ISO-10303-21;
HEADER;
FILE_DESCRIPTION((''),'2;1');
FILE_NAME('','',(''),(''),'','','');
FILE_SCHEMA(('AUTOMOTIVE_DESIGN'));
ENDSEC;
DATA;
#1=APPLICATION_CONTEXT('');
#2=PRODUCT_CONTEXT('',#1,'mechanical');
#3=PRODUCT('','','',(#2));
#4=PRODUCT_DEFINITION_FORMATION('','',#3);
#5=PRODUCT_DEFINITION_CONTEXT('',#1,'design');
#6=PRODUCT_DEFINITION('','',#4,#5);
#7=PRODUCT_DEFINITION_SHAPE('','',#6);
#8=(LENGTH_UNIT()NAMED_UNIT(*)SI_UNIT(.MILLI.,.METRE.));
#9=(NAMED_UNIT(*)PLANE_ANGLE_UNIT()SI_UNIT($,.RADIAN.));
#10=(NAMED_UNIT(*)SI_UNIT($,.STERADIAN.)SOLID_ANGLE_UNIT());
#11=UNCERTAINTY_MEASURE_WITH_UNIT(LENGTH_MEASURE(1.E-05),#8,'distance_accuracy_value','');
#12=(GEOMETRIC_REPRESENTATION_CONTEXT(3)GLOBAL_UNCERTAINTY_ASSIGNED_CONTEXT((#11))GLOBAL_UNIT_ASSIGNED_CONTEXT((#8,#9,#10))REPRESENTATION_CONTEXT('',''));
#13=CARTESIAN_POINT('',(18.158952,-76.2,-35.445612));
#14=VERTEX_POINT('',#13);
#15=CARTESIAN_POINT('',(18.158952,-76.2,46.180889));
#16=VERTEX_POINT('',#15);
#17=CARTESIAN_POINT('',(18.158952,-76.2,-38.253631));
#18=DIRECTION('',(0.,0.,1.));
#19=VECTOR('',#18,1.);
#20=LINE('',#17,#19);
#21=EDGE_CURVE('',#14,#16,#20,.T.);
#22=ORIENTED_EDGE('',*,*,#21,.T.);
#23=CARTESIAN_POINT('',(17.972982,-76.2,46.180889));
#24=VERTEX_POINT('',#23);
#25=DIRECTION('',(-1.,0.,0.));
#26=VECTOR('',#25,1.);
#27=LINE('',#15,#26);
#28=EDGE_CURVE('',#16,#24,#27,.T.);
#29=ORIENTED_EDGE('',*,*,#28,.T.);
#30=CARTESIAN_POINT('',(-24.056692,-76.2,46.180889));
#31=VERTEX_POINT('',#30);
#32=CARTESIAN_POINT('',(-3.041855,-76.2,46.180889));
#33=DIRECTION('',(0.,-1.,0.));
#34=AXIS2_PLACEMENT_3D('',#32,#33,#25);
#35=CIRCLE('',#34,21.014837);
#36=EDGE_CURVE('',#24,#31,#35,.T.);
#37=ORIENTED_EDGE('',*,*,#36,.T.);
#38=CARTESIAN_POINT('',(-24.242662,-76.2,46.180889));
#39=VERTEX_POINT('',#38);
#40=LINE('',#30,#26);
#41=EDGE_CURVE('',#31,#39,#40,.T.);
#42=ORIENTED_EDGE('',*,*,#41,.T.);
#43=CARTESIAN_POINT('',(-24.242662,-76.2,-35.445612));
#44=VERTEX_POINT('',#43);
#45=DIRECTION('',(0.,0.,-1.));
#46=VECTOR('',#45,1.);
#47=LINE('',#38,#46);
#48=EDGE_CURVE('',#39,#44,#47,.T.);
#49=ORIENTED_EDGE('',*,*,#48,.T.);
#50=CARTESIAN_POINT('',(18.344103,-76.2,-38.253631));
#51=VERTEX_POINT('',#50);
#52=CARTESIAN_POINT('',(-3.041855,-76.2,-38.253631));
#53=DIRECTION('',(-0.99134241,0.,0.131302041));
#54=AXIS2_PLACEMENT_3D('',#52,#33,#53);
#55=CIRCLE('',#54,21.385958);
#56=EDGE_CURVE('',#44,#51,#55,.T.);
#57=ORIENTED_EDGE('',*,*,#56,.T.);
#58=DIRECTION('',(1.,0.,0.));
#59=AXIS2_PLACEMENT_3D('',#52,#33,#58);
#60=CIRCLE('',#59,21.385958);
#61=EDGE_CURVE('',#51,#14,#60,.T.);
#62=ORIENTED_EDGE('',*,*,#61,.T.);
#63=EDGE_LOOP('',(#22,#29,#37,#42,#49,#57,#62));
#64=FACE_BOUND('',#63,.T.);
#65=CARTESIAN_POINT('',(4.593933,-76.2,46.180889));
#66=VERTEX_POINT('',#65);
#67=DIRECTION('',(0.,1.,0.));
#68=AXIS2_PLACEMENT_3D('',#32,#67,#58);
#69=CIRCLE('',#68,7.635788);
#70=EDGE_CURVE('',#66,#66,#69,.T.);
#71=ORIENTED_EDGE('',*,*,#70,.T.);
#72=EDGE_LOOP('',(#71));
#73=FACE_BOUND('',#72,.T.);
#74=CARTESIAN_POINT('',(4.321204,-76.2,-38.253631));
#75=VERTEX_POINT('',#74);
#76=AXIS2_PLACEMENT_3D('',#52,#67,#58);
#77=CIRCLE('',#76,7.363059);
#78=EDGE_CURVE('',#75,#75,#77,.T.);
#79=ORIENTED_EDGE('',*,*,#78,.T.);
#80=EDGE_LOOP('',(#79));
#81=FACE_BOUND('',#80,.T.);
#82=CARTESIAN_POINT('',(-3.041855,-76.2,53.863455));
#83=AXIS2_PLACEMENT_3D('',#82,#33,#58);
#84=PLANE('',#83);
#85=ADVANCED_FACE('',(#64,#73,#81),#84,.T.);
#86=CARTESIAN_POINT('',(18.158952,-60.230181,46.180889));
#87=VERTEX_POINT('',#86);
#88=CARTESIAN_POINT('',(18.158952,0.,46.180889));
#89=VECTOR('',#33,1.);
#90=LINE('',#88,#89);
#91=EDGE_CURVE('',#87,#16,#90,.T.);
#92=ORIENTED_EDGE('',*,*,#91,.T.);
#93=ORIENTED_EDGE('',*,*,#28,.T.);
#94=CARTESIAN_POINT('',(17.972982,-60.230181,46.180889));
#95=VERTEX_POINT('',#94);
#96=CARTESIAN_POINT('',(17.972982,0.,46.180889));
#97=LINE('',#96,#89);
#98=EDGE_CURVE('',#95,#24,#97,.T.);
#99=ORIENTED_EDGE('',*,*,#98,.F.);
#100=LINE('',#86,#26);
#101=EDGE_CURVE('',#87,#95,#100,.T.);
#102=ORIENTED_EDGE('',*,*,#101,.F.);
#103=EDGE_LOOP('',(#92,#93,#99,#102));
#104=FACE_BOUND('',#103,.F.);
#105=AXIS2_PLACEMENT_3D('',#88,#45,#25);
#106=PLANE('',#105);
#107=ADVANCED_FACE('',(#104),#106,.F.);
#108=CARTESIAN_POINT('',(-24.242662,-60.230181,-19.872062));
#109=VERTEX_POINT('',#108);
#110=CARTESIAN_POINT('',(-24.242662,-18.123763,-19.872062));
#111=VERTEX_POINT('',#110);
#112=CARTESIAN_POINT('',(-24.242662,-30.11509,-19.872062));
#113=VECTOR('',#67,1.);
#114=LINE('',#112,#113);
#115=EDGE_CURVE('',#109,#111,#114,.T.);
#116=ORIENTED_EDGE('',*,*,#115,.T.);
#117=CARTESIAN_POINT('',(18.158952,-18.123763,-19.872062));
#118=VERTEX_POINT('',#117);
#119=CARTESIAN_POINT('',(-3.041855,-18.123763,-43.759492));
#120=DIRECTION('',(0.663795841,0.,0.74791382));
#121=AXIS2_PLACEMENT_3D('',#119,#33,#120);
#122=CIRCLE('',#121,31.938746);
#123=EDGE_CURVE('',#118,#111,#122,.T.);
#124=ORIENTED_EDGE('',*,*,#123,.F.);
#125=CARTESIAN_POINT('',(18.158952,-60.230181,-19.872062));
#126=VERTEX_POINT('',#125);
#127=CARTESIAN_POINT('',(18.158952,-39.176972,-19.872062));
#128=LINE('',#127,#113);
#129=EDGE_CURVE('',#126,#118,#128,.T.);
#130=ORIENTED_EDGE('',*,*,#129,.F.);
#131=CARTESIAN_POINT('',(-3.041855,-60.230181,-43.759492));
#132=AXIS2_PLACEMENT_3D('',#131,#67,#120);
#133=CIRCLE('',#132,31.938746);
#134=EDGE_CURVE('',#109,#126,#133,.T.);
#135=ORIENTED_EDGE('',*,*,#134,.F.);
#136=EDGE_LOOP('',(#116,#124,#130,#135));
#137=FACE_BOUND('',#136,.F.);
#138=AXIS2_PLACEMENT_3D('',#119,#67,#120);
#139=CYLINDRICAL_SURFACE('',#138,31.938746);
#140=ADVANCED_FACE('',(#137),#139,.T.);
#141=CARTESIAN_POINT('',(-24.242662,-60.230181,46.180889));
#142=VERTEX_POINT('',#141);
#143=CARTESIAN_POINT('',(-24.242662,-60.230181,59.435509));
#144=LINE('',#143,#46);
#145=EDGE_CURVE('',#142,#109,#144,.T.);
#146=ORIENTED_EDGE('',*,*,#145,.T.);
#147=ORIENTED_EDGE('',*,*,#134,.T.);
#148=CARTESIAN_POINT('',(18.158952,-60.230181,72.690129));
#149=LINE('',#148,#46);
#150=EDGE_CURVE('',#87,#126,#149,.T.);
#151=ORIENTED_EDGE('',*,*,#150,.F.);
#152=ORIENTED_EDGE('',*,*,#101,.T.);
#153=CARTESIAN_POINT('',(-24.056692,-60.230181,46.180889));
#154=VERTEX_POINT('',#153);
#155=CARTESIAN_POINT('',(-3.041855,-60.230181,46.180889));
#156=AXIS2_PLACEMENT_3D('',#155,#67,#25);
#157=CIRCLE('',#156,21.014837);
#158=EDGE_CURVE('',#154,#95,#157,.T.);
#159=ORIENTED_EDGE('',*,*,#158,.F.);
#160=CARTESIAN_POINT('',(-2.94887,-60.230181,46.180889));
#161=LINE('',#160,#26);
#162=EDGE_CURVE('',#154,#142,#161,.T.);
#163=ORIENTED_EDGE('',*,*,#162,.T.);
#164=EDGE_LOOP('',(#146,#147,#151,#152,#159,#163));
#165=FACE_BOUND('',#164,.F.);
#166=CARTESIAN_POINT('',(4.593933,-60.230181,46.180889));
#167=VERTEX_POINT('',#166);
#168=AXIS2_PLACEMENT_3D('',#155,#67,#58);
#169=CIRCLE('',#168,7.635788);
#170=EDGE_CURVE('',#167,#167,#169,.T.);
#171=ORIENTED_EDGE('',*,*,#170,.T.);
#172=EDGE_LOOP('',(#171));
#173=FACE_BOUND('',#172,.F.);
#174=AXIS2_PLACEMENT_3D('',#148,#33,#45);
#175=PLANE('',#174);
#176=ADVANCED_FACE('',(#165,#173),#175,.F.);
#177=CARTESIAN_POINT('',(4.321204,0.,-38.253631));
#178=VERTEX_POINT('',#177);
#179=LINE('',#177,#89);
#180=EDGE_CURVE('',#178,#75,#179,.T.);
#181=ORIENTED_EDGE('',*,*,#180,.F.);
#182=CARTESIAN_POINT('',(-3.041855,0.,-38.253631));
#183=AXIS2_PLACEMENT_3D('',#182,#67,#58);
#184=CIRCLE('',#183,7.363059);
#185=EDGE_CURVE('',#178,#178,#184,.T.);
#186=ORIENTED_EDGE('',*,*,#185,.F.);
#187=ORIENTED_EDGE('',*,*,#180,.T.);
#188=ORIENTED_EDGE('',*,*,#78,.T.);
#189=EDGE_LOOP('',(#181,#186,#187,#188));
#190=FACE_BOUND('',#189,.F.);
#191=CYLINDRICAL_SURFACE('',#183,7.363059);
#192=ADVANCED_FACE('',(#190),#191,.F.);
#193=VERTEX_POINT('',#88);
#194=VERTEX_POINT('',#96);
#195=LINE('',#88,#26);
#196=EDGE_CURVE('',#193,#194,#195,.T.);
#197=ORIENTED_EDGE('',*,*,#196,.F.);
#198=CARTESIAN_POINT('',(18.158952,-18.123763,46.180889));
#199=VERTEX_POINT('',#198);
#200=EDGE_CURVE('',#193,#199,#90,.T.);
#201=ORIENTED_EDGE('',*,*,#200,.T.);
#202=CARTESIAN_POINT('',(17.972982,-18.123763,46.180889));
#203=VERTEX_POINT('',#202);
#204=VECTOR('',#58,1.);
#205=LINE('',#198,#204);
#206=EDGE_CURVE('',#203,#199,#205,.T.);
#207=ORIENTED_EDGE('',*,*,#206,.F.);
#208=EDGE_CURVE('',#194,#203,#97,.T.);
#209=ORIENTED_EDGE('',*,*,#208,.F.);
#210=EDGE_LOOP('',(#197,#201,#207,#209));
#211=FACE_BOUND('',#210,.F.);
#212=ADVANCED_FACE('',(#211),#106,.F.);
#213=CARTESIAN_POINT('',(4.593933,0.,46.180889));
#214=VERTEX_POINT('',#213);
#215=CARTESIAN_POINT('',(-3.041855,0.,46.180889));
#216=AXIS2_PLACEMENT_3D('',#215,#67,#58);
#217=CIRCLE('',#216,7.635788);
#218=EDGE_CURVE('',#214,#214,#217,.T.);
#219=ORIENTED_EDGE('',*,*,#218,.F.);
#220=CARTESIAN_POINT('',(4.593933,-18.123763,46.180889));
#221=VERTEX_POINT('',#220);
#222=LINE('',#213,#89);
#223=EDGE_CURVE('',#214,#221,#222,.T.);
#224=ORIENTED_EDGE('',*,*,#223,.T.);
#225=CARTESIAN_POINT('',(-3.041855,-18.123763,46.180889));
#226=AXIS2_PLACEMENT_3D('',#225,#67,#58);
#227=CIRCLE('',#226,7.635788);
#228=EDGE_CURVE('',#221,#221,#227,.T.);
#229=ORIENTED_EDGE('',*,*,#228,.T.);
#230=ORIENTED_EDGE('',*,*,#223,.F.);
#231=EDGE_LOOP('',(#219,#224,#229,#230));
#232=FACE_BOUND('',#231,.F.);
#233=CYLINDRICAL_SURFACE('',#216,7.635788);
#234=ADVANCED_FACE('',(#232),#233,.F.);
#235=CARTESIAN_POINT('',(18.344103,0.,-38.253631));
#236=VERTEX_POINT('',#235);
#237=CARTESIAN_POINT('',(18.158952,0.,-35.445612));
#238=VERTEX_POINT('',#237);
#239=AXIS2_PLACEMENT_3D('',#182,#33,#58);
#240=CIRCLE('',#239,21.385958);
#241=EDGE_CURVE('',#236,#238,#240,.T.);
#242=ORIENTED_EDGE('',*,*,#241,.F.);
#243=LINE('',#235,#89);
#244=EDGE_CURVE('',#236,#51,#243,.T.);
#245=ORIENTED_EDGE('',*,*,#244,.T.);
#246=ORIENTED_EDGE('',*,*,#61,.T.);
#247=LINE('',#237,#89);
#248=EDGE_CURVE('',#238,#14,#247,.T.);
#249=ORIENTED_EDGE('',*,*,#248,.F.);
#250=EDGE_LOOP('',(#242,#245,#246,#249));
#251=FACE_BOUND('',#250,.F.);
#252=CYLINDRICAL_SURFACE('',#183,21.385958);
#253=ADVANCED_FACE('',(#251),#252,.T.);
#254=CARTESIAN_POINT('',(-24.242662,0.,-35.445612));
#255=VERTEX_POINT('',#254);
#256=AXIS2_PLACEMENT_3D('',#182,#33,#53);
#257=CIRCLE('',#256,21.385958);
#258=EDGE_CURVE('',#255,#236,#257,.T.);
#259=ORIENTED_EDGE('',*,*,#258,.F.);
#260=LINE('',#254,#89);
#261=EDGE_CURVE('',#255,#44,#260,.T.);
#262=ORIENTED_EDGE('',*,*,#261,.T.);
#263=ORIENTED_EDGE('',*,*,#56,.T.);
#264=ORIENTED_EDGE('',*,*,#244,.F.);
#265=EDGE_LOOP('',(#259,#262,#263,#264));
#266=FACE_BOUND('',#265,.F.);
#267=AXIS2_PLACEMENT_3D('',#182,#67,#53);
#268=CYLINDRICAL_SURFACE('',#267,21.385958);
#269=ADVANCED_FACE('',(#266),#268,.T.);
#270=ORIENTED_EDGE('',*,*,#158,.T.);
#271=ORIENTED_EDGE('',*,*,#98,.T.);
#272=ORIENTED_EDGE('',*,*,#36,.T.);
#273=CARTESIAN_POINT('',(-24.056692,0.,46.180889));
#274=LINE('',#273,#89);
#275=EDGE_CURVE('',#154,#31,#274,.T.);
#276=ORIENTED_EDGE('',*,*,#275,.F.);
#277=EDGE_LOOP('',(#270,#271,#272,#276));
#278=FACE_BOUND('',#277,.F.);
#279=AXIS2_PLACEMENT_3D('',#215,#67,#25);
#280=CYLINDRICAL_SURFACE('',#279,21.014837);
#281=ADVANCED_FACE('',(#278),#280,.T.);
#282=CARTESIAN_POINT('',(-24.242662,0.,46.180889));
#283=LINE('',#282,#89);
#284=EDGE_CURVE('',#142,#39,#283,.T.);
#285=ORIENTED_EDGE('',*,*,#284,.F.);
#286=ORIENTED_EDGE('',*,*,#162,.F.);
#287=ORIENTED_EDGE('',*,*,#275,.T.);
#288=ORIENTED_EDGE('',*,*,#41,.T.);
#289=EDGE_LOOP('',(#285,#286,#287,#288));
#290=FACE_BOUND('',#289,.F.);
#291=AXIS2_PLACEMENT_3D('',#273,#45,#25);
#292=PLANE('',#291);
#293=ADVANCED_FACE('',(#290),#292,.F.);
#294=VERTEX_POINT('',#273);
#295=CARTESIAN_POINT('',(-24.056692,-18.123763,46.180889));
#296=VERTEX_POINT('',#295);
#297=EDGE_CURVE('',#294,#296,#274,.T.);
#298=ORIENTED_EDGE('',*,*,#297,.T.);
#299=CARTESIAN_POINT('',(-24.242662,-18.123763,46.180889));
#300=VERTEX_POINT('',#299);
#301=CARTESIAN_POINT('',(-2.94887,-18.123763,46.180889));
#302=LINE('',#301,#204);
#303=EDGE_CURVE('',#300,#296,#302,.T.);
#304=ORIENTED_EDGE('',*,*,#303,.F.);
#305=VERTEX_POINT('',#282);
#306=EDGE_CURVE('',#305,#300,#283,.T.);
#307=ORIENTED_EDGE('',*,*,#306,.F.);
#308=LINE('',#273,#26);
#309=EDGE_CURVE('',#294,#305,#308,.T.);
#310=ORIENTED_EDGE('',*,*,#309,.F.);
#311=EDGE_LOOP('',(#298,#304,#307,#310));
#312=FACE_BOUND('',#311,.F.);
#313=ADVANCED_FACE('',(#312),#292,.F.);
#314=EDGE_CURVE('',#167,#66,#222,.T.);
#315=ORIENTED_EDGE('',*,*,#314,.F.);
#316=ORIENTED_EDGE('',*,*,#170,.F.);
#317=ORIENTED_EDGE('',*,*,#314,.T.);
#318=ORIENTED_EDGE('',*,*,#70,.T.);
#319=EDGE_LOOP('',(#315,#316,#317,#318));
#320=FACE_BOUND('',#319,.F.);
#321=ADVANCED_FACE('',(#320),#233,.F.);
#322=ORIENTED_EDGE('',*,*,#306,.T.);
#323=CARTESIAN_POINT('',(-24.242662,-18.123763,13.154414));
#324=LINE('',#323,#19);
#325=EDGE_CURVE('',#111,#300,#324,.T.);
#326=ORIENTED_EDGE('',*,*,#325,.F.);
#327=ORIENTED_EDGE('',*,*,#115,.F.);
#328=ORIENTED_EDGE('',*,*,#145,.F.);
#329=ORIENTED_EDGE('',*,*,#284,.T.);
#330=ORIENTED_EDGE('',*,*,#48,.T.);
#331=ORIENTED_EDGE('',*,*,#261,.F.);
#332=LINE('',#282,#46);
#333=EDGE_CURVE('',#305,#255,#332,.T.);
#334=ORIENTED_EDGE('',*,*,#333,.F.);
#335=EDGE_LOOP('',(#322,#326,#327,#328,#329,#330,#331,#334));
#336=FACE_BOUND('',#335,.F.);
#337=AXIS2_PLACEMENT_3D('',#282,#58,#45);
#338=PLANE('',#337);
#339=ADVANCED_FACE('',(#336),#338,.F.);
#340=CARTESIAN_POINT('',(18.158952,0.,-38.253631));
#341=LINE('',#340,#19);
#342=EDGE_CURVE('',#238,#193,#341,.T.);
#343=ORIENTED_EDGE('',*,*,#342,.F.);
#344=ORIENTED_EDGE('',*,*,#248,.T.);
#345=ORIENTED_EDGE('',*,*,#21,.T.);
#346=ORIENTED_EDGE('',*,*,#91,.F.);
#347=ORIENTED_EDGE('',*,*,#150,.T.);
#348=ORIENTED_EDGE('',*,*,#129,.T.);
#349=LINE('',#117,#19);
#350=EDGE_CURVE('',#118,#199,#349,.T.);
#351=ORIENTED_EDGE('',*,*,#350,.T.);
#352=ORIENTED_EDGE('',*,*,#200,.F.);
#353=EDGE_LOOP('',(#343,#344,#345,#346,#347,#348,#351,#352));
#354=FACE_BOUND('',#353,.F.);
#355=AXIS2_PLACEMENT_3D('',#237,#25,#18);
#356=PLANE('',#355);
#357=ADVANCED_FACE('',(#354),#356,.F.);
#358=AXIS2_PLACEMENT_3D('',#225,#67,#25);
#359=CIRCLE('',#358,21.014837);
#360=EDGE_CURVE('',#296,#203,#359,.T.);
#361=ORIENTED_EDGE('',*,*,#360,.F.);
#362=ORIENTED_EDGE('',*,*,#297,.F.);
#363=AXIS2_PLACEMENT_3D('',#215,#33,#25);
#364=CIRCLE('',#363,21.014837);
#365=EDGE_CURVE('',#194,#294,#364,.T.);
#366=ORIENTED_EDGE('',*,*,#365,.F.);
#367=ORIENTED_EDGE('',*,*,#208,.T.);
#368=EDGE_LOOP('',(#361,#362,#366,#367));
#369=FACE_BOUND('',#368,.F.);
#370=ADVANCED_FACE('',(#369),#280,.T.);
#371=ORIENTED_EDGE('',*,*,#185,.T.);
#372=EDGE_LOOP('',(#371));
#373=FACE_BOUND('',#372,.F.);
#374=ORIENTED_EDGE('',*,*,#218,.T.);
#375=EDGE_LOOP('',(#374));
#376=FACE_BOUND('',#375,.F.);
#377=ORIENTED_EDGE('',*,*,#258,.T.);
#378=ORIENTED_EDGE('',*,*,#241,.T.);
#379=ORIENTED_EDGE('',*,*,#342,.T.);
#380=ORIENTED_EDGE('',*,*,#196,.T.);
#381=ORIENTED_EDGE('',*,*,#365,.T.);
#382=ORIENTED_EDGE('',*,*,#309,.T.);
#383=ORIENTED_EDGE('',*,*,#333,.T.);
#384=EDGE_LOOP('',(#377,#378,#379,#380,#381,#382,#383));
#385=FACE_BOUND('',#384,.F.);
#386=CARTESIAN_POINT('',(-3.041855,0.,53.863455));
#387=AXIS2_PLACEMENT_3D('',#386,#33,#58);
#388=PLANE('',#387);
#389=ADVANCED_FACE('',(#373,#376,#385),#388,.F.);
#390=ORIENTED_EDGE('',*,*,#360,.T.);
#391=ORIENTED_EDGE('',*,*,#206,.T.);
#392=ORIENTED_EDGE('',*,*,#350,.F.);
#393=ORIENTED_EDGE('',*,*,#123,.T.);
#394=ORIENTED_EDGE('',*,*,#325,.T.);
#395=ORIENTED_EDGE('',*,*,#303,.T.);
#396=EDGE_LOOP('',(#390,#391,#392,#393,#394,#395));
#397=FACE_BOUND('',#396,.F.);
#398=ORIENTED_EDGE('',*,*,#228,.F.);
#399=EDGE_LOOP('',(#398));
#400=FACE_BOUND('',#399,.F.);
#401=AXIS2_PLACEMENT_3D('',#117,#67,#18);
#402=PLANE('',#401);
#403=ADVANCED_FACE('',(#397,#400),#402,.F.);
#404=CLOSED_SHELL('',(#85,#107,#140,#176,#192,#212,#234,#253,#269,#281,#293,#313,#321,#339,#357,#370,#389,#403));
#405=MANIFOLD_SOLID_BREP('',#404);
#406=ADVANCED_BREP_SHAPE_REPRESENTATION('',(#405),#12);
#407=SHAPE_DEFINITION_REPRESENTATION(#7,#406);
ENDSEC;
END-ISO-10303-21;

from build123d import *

# Parameters (mm, degrees)
F1_DEPTH = 76.2
F2_W     = 42.1064179391
F2_H     = 26.5092402697
F2_H_2   = 66.0529509187
F3_DEPTH = 127
F5_DEPTH = 45.72


with BuildPart() as f1:
    # F0 (on Front) → F1 (new body)
    with BuildSketch(Plane.XZ):
        with BuildLine():
            ThreePointArc((-10.6776429778, 46.1808890104), (-3.0418550596, 53.8166769287), (4.5939328587, 46.1808890104))
            Line((4.5939328587, 46.1808890104), (17.9729815764, 46.1808890104))
            ThreePointArc((17.9729815764, 46.1808890104), (-3.0418550596, 67.1957256464), (-24.0566916955, 46.1808890104))
            Line((-24.0566916955, 46.1808890104), (-10.6776429778, 46.1808890104))
        make_face()
        with BuildLine():
            Line((17.9729815764, 46.1808890104), (4.5939328587, 46.1808890104))
            ThreePointArc((4.5939328587, 46.1808890104), (-3.0418550596, 38.5451010922), (-10.6776429778, 46.1808890104))
            Line((-10.6776429778, 46.1808890104), (-24.0566916955, 46.1808890104))
            ThreePointArc((-24.0566916955, 46.1808890104), (-3.0418550596, 25.1660523745), (17.9729815764, 46.1808890104))
        make_face()
        with BuildLine():
            Line((18.1589517742, 46.1808890104), (17.9729815764, 46.1808890104))
            ThreePointArc((17.9729815764, 46.1808890104), (-3.0418550596, 25.1660523745), (-24.0566916955, 46.1808890104))
            Line((-24.0566916955, 46.1808890104), (-24.2426618934, 46.1808890104))
            Line((-24.2426618934, 46.1808890104), (-24.2426618934, -35.4456115543))
            ThreePointArc((-24.2426618934, -35.4456115543), (-3.0418550596, -16.8676737579), (18.1589517742, -35.4456115543))
            Line((18.1589517742, -35.4456115543), (18.1589517742, 46.1808890104))
        make_face()
        with BuildLine():
            Line((18.1589517742, -38.2536314428), (18.1589517742, -35.4456115543))
            ThreePointArc((18.1589517742, -35.4456115543), (-3.0418550596, -16.8676737579), (-24.2426618934, -35.4456115543))
            Line((-24.2426618934, -35.4456115543), (-24.2426618934, -38.2536314428))
            Line((-24.2426618934, -38.2536314428), (-10.4049137752, -38.2536314428))
            ThreePointArc((-10.4049137752, -38.2536314428), (-3.0418550596, -30.8905727272), (4.321203656, -38.2536314428))
            Line((4.321203656, -38.2536314428), (18.1589517742, -38.2536314428))
        make_face()
        with BuildLine():
            ThreePointArc((18.3441026253, -38.2536314428), (18.2977647113, -36.8465727614), (18.1589517742, -35.4456115543))
            Line((18.1589517742, -35.4456115543), (18.1589517742, -38.2536314428))
            Line((18.1589517742, -38.2536314428), (4.321203656, -38.2536314428))
            ThreePointArc((4.321203656, -38.2536314428), (-3.0418550596, -45.6166901584), (-10.4049137752, -38.2536314428))
            Line((-10.4049137752, -38.2536314428), (-24.2426618934, -38.2536314428))
            Line((-24.2426618934, -38.2536314428), (-24.2426618934, -35.4456115543))
            ThreePointArc((-24.2426618934, -35.4456115543), (-4.448913741, -59.5932512137), (18.3441026253, -38.2536314428))
        make_face()
    extrude(amount=F1_DEPTH)

    # F2 (on face) → F3 (cut)
    with BuildSketch(Plane.YZ.offset(18.1589517742)):
        with Locations((-39.1769716516, 59.4355091453)):
            Rectangle(F2_W, F2_H)
        with Locations((-39.1769716516, 13.1544135511)):
            Rectangle(F2_W, F2_H_2)
    extrude(amount=-F3_DEPTH, mode=Mode.SUBTRACT)

    # F4 (on face) → F5 (join)
    with BuildSketch(Plane.XZ.offset(18.1237626821)):
        with BuildLine():
            Line((-24.2426618934, -19.8720619082), (18.1589517742, -19.8720619082))
            ThreePointArc((18.1589517742, -19.8720619082), (-3.0418550596, -11.8207453955), (-24.2426618934, -19.8720619082))
        make_face()
    extrude(amount=F5_DEPTH)


solid = f1.part
